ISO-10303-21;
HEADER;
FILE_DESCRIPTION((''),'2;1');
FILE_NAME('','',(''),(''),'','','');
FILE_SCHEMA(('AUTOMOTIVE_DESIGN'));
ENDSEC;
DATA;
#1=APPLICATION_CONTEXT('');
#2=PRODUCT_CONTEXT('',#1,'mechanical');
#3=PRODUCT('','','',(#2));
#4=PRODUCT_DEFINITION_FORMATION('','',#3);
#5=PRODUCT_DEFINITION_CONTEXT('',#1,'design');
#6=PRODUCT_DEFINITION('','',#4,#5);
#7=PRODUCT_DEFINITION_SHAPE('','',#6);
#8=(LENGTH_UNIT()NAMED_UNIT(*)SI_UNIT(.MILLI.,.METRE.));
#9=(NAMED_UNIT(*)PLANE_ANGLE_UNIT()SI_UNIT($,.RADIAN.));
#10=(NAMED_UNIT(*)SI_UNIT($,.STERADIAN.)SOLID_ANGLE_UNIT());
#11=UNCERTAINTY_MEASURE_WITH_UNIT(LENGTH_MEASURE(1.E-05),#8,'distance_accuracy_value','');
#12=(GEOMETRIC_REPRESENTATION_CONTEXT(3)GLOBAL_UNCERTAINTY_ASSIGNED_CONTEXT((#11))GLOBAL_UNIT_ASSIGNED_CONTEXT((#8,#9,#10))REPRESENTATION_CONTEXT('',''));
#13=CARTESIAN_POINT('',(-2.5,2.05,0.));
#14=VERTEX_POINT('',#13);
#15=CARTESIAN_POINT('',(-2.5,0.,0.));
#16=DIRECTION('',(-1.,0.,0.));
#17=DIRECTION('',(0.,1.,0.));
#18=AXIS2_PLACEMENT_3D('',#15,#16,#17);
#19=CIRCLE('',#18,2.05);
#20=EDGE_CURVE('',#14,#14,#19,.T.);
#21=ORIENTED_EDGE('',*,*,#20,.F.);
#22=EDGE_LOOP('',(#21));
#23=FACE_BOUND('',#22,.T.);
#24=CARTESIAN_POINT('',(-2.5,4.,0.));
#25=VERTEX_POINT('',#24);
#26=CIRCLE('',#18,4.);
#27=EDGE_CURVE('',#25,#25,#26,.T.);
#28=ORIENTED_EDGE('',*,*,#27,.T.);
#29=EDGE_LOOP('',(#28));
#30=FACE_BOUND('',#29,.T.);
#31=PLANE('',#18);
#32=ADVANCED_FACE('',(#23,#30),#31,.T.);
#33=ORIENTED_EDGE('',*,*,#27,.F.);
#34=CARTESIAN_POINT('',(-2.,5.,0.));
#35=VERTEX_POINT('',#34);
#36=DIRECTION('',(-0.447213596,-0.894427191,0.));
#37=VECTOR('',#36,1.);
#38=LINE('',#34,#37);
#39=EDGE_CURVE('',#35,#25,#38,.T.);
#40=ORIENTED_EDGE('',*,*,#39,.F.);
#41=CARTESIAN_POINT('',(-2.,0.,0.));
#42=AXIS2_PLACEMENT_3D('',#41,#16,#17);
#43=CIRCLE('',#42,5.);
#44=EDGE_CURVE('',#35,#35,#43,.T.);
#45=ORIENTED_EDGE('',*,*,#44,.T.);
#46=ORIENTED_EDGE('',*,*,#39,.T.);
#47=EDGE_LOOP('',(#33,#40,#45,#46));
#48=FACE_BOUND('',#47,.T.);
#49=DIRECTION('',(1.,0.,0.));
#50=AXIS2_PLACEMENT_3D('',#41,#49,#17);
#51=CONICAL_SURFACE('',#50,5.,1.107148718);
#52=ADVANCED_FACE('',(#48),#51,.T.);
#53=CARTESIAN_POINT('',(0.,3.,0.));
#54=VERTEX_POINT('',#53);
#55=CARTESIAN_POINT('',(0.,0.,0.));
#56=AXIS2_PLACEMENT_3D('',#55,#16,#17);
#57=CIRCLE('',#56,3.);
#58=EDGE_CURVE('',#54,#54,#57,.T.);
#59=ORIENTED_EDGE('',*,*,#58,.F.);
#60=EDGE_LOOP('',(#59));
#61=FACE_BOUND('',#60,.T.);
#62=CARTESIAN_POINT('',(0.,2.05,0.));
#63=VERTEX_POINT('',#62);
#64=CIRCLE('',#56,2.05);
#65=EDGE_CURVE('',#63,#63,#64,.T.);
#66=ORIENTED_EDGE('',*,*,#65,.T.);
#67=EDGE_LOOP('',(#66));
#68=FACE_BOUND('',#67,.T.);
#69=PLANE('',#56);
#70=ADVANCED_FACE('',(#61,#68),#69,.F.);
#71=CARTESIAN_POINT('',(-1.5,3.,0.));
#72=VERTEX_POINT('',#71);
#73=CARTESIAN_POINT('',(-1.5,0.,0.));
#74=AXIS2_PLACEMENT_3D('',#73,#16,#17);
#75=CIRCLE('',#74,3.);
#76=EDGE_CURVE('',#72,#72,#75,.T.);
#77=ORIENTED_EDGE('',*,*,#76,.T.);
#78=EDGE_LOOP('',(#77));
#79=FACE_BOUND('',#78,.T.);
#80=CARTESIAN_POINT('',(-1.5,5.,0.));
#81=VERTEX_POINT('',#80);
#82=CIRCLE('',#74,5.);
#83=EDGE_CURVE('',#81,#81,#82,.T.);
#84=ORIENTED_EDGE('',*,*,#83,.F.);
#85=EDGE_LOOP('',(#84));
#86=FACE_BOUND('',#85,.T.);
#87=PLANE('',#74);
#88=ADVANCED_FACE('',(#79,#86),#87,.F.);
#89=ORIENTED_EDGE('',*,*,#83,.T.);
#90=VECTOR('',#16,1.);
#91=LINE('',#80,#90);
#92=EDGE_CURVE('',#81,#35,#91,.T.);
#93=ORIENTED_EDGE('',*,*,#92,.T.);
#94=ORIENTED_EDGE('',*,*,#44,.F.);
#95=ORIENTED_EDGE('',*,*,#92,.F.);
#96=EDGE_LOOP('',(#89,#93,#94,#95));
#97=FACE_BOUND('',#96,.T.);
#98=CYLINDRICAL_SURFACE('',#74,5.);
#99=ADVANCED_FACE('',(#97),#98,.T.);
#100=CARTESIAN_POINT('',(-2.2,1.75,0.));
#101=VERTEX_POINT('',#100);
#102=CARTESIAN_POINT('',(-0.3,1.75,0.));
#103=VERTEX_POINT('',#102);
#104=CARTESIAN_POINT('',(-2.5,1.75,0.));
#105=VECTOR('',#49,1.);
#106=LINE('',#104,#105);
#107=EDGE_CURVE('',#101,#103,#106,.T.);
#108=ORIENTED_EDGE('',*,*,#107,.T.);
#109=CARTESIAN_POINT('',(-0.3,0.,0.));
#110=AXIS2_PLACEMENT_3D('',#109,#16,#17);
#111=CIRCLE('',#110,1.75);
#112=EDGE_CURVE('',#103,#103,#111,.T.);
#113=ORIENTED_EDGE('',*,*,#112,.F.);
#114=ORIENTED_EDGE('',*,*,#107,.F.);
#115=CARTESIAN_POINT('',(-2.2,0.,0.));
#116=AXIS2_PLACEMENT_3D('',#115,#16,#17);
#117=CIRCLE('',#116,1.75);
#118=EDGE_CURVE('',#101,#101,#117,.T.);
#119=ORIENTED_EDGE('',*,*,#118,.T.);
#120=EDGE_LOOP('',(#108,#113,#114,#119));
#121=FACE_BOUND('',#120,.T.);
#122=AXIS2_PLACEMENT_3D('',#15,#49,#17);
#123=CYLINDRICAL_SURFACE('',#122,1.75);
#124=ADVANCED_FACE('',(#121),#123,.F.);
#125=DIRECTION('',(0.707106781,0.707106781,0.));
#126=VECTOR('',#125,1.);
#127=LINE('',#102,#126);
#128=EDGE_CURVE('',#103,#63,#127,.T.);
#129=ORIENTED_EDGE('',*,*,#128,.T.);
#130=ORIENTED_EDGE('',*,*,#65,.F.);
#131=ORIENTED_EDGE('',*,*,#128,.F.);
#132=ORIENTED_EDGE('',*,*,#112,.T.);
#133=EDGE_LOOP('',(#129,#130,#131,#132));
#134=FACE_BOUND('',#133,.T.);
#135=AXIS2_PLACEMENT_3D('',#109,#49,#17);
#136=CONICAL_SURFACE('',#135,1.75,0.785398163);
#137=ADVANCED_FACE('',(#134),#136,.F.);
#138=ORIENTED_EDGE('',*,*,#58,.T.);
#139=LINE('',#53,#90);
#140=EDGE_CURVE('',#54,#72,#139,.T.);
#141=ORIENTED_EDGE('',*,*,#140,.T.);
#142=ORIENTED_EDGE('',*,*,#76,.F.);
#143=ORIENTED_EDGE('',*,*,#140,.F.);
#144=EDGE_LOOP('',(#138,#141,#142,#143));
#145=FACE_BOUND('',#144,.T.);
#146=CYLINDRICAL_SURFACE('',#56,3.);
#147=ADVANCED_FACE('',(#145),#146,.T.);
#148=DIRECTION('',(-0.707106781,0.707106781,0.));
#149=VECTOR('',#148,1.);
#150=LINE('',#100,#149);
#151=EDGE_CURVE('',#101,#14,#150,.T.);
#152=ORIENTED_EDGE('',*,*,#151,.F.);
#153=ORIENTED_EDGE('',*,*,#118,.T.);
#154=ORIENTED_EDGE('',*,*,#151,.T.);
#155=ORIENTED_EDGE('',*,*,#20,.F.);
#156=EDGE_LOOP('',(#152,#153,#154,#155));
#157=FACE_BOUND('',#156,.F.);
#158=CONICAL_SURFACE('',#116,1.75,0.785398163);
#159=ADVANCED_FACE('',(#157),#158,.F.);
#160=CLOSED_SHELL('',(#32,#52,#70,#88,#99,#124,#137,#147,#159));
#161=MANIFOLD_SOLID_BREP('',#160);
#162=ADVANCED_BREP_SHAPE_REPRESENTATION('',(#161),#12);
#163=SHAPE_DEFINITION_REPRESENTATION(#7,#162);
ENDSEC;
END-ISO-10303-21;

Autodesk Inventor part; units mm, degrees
ref_plane "YZ Plane" through (0, 0, 0) normal (1, 0, 0) x (0, 1, 0)
ref_plane "XZ Plane" through (0, 0, 0) normal (0, 1, 0) x (-1, 0, 0)
ref_plane "XY Plane" through (0, 0, 0) normal (0, 0, 1) x (1, 0, 0)
sketch "Эскиз1" plane through (0, 0, 0) normal (0, 0, 1) x (1, 0, 0)
  line L0 (0, 1.75) -> (0, 3)
  line L1 (0, 3) -> (-1.5, 3)
  line L2 (-1.5, 3) -> (-1.5, 5)
  line L3 (-1.5, 5) -> (-2, 5)
  line L4 (-2, 5) -> (-2.5, 4)
  line L5 (-2.5, 4) -> (-2.5, 1.75)
  line L6 (-2.5, 1.75) -> (0, 1.75)
  line L7 (0, 0) -> (-4.5246, 0) construction
  dimension "d0" = 6
  dimension "d1" = 10
  dimension "d2" = 3.5
  dimension "d3" = 1.5
  dimension "d6" = 8
  dimension "d11" = 0.5
  dimension "d12" = 1
revolve "Вращение1" add sketch "Эскиз1" angle 360 about axis through (0, 0, 0) along (-1, 0, 0)
chamfer "Фаска1" distance 0.3 angle 45 2 edges at (-2.5, -1.75, 0) (0, -1.75, 0)
properties part number "Стопорная шайба"
